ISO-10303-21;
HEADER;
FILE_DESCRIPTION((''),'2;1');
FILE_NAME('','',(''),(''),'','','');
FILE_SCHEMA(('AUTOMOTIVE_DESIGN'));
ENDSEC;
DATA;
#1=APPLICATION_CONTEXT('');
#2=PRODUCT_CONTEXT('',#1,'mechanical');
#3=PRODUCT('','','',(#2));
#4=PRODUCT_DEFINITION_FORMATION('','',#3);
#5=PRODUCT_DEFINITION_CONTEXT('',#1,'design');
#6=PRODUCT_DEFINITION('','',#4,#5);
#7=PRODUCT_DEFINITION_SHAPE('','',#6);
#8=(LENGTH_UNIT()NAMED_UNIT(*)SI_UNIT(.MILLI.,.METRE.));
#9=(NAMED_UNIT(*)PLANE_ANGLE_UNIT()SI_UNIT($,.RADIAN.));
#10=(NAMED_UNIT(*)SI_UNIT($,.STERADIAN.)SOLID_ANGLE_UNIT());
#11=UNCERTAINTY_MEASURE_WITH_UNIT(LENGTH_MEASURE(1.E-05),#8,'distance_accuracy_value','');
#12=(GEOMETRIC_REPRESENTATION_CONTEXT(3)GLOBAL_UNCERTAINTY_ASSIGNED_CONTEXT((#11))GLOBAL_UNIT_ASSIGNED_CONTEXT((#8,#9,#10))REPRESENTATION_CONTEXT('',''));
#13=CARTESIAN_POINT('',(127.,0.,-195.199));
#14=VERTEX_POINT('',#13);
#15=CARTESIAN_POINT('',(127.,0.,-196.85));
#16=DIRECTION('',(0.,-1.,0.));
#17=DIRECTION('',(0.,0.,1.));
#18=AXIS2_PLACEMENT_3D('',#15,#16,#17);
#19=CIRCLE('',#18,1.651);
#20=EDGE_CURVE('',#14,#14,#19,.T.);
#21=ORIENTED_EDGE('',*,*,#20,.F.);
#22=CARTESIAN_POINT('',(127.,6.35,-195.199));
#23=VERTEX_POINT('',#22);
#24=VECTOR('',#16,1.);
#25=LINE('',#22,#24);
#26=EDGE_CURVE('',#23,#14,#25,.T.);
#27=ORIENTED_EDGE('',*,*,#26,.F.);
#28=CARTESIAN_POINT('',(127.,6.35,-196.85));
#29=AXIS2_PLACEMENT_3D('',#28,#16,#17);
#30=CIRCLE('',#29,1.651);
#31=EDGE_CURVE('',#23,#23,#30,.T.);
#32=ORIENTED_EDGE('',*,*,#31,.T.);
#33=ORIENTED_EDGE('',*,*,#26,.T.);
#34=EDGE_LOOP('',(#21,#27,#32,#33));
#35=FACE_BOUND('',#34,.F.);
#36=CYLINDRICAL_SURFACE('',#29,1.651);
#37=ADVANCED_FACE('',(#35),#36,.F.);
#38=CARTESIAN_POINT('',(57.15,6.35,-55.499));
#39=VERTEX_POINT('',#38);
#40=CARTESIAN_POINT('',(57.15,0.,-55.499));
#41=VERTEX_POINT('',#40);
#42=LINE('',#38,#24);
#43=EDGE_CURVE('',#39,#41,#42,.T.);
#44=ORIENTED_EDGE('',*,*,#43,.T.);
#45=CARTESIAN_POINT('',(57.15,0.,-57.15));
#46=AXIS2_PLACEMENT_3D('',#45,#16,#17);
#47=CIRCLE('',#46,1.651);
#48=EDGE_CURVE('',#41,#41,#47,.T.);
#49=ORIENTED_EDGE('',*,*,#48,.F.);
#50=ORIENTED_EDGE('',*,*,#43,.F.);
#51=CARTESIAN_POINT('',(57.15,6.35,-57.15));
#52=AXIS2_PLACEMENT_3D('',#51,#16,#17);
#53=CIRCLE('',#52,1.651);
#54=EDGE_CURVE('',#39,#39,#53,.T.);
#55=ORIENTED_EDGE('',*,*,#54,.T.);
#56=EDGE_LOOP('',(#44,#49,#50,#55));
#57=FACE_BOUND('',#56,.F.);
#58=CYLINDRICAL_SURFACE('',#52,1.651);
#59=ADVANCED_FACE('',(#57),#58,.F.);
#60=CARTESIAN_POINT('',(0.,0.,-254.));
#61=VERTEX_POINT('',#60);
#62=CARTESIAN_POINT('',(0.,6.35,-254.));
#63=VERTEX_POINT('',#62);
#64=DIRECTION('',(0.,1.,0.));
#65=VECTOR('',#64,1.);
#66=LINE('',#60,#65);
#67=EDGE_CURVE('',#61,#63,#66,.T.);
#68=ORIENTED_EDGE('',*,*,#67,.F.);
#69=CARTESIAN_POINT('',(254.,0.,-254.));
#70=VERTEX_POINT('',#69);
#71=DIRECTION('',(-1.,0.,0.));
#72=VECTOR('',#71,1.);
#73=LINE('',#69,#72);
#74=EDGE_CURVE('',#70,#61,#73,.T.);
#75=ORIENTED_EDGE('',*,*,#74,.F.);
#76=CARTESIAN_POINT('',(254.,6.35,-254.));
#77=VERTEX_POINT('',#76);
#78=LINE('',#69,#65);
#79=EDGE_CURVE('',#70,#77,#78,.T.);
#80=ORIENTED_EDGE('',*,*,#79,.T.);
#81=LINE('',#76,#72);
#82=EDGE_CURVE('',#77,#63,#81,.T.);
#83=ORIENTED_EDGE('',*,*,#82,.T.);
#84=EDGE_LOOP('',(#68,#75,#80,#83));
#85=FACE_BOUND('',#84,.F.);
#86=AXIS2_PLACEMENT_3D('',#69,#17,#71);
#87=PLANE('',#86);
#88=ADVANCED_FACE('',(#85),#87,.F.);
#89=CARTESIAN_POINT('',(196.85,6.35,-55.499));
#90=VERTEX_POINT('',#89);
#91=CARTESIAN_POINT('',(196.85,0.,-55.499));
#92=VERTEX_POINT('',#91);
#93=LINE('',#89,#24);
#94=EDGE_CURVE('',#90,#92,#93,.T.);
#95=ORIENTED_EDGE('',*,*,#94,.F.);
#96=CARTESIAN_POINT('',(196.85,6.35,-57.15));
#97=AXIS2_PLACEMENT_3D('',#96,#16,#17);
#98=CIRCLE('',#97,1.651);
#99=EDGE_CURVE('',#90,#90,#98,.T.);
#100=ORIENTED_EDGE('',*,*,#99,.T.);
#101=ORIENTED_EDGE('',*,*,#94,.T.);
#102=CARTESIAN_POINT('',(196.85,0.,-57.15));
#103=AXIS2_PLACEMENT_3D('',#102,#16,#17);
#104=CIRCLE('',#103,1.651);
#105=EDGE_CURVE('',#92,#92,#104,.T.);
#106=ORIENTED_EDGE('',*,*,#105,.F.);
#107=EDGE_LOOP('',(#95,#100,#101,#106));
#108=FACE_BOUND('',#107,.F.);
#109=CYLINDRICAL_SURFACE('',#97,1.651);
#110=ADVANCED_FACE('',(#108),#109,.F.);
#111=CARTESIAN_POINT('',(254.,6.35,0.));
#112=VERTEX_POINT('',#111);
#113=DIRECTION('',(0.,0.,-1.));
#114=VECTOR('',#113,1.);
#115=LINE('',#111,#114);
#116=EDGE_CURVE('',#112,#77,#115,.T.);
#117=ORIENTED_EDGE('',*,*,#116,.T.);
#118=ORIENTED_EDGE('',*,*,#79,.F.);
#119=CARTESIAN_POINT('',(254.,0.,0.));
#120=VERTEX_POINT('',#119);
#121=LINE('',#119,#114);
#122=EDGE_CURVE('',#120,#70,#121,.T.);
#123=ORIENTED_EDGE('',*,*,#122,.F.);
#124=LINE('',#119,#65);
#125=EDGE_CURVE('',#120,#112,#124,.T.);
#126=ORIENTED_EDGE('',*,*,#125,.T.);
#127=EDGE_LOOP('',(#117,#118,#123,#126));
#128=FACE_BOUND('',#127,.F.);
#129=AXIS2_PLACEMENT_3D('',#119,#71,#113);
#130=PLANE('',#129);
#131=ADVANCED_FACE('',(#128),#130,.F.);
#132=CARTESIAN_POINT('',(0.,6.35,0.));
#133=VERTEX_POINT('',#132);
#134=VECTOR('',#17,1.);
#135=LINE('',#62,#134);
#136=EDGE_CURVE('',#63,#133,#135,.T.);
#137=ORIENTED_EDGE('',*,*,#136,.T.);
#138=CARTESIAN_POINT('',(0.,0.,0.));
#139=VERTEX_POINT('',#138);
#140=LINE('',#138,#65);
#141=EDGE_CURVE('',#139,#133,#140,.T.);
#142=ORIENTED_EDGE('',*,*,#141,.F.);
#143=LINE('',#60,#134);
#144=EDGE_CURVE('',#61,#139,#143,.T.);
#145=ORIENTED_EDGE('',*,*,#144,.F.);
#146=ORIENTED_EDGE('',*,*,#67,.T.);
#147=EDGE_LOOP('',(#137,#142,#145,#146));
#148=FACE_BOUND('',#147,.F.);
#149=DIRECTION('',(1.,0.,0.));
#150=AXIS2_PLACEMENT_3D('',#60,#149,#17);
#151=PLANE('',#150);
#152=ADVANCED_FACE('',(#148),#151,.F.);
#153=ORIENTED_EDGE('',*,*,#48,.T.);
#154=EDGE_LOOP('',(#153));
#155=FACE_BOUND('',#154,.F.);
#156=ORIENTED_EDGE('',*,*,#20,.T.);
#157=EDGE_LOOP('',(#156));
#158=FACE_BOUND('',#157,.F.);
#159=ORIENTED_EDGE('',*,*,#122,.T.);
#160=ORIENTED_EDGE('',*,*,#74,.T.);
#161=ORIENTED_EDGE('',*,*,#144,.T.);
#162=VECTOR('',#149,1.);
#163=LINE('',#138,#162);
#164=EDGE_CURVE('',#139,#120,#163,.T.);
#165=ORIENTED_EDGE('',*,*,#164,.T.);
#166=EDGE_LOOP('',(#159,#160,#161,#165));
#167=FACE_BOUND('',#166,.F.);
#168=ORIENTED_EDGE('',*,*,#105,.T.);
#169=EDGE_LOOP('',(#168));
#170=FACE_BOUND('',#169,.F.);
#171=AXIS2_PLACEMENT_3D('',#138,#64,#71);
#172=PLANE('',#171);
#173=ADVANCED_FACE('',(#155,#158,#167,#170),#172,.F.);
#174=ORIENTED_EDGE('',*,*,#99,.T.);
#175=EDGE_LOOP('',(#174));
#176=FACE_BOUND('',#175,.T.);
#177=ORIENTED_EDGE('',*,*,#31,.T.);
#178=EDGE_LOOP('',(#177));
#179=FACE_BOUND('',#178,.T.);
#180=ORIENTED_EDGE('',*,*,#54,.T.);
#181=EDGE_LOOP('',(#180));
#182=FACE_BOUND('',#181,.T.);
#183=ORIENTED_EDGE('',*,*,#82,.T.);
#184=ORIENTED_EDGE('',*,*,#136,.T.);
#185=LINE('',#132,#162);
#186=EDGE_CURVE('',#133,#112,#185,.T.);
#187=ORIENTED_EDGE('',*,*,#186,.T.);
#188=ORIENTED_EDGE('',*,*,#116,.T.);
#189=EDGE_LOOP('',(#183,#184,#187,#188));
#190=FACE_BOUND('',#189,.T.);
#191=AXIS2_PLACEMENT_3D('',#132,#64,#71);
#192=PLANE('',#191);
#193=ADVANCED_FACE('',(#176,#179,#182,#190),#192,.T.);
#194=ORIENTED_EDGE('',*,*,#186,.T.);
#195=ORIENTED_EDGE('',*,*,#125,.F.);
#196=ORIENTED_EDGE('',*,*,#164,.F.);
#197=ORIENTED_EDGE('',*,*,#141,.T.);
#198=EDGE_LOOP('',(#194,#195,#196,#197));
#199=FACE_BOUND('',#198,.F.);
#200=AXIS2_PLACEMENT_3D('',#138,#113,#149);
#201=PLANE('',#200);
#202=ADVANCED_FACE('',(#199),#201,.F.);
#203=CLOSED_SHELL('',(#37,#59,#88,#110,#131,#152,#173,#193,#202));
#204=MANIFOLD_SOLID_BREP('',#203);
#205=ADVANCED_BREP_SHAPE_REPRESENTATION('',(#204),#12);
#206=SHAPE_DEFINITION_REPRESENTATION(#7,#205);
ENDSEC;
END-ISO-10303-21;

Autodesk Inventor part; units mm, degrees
ref_plane "YZ Plane" through (0, 0, 0) normal (1, 0, 0) x (0, 1, 0)
ref_plane "XZ Plane" through (0, 0, 0) normal (0, 1, 0) x (-1, 0, 0)
ref_plane "XY Plane" through (0, 0, 0) normal (0, 0, 1) x (1, 0, 0)
sketch "Sketch1" plane through (0, 0, 0) normal (0, 1, 0) x (-1, 0, 0)
  line L0 (0, 0) -> (-254, 0)
  line L1 (-254, 0) -> (-254, -254)
  line L2 (-254, -254) -> (0, -254)
  line L3 (0, -254) -> (0, 0)
  dimension "d0" = 254
  dimension "d1" = 254
extrude "Extrusion1" add sketch "Sketch1" along normal blind 6.35
sketch "Sketch2" plane through (0, 6.35, 0) normal (0, 1, 0) x (1, 0, 0)
  line L0 (254, 254) -> (0, 254) projected
  line L1 (127, 196.85) -> (127, 57.15)
  line L2 (127, 57.15) -> (57.15, 57.15)
  line L3 (57.15, 57.15) -> (196.85, 57.15)
  line L4 (0, 254) -> (0, 0) projected
  point P0 (127, 254)
  point P1 (127, 127)
  point P2 (0, 127)
  dimension "d4" = 69.85
  dimension "d5" = 69.85
  dimension "d6" = 139.7
hole "Hole1" at (57.15, 6.35, -57.15) at (196.85, 6.35, -57.15) at (127, 6.35, -196.85) direction (0, -1, 0) diameter 3.302 end through all thread size "8-32 UNC" class "2B" standard "ANSI Unified Screw Threads"
equation "\"d5\" = d4"
properties part number "Base"
